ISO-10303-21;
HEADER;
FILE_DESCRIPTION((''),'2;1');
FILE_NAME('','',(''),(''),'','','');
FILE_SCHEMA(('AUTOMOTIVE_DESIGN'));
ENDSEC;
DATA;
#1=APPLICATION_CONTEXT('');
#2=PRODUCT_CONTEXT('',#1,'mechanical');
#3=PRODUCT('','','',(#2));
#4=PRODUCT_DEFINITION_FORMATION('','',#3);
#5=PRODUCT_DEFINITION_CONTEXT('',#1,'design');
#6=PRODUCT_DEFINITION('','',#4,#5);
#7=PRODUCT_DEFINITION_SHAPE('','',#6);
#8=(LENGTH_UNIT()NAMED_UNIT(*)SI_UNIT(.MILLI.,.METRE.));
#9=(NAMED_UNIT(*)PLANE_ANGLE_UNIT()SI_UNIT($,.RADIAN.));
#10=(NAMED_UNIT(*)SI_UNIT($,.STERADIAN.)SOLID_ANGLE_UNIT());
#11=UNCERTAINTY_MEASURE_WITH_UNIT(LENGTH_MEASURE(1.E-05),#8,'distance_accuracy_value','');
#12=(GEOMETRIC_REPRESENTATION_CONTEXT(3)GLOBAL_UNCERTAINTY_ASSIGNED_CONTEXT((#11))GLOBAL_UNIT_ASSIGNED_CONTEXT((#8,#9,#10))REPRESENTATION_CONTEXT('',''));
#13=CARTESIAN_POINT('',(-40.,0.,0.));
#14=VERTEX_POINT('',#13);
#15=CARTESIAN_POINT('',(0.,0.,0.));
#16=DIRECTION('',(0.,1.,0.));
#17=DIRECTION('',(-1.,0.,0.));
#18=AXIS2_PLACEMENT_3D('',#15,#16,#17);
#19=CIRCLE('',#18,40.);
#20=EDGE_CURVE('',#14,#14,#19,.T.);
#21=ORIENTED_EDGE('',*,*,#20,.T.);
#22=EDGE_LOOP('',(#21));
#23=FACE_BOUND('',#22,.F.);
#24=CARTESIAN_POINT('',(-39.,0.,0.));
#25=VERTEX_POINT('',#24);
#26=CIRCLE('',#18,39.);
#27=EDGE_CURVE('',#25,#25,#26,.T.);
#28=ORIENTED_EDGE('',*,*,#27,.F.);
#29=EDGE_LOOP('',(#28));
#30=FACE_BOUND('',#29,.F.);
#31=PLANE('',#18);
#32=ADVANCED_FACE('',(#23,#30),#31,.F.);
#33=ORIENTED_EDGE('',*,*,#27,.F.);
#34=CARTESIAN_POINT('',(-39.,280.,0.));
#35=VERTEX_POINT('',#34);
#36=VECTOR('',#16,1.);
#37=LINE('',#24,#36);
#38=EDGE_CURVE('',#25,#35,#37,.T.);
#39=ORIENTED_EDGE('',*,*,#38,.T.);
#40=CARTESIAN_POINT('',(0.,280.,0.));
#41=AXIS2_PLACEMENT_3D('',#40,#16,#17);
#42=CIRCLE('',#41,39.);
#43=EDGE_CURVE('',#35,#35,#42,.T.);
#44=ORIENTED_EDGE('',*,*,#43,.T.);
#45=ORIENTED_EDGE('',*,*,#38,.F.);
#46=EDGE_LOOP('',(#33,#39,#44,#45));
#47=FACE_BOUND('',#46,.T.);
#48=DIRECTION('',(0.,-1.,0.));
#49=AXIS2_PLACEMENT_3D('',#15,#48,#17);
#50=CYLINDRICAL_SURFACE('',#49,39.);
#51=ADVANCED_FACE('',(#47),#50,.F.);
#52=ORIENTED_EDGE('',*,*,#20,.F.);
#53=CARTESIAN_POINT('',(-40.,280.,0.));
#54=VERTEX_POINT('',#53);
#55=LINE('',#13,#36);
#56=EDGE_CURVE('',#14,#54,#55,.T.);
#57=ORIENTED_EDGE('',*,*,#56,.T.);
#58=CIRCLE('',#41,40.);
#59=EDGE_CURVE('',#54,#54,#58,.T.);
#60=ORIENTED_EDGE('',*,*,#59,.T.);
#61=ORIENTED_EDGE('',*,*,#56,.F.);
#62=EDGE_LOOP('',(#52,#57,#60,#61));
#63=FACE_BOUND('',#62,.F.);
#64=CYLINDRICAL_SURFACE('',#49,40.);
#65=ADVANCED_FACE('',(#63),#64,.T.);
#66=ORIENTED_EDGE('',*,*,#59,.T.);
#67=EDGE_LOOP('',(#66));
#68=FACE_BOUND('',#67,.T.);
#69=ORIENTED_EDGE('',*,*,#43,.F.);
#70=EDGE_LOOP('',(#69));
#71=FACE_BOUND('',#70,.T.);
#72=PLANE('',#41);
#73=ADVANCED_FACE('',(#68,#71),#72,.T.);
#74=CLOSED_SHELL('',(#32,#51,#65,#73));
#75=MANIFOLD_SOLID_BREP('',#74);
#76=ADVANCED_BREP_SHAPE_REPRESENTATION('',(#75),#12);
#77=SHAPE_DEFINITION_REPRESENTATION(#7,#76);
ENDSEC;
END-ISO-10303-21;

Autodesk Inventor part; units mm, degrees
ref_plane "YZ Plane" through (0, 0, 0) normal (1, 0, 0) x (0, 1, 0)
ref_plane "XZ Plane" through (0, 0, 0) normal (0, 1, 0) x (-1, 0, 0)
ref_plane "XY Plane" through (0, 0, 0) normal (0, 0, 1) x (1, 0, 0)
sketch "Skizze1" plane through (0, 0, 0) normal (0, 1, 0) x (-1, 0, 0)
  circle A0 centre (0, 0) radius 40
  circle A1 centre (0, 0) radius 39
  dimension "d0" = 80
  dimension "d1" = 78
extrude "Extrusion1" add sketch "Skizze1" along normal blind 280
properties part number "P_Kunststoffrohr" material "Glas"
